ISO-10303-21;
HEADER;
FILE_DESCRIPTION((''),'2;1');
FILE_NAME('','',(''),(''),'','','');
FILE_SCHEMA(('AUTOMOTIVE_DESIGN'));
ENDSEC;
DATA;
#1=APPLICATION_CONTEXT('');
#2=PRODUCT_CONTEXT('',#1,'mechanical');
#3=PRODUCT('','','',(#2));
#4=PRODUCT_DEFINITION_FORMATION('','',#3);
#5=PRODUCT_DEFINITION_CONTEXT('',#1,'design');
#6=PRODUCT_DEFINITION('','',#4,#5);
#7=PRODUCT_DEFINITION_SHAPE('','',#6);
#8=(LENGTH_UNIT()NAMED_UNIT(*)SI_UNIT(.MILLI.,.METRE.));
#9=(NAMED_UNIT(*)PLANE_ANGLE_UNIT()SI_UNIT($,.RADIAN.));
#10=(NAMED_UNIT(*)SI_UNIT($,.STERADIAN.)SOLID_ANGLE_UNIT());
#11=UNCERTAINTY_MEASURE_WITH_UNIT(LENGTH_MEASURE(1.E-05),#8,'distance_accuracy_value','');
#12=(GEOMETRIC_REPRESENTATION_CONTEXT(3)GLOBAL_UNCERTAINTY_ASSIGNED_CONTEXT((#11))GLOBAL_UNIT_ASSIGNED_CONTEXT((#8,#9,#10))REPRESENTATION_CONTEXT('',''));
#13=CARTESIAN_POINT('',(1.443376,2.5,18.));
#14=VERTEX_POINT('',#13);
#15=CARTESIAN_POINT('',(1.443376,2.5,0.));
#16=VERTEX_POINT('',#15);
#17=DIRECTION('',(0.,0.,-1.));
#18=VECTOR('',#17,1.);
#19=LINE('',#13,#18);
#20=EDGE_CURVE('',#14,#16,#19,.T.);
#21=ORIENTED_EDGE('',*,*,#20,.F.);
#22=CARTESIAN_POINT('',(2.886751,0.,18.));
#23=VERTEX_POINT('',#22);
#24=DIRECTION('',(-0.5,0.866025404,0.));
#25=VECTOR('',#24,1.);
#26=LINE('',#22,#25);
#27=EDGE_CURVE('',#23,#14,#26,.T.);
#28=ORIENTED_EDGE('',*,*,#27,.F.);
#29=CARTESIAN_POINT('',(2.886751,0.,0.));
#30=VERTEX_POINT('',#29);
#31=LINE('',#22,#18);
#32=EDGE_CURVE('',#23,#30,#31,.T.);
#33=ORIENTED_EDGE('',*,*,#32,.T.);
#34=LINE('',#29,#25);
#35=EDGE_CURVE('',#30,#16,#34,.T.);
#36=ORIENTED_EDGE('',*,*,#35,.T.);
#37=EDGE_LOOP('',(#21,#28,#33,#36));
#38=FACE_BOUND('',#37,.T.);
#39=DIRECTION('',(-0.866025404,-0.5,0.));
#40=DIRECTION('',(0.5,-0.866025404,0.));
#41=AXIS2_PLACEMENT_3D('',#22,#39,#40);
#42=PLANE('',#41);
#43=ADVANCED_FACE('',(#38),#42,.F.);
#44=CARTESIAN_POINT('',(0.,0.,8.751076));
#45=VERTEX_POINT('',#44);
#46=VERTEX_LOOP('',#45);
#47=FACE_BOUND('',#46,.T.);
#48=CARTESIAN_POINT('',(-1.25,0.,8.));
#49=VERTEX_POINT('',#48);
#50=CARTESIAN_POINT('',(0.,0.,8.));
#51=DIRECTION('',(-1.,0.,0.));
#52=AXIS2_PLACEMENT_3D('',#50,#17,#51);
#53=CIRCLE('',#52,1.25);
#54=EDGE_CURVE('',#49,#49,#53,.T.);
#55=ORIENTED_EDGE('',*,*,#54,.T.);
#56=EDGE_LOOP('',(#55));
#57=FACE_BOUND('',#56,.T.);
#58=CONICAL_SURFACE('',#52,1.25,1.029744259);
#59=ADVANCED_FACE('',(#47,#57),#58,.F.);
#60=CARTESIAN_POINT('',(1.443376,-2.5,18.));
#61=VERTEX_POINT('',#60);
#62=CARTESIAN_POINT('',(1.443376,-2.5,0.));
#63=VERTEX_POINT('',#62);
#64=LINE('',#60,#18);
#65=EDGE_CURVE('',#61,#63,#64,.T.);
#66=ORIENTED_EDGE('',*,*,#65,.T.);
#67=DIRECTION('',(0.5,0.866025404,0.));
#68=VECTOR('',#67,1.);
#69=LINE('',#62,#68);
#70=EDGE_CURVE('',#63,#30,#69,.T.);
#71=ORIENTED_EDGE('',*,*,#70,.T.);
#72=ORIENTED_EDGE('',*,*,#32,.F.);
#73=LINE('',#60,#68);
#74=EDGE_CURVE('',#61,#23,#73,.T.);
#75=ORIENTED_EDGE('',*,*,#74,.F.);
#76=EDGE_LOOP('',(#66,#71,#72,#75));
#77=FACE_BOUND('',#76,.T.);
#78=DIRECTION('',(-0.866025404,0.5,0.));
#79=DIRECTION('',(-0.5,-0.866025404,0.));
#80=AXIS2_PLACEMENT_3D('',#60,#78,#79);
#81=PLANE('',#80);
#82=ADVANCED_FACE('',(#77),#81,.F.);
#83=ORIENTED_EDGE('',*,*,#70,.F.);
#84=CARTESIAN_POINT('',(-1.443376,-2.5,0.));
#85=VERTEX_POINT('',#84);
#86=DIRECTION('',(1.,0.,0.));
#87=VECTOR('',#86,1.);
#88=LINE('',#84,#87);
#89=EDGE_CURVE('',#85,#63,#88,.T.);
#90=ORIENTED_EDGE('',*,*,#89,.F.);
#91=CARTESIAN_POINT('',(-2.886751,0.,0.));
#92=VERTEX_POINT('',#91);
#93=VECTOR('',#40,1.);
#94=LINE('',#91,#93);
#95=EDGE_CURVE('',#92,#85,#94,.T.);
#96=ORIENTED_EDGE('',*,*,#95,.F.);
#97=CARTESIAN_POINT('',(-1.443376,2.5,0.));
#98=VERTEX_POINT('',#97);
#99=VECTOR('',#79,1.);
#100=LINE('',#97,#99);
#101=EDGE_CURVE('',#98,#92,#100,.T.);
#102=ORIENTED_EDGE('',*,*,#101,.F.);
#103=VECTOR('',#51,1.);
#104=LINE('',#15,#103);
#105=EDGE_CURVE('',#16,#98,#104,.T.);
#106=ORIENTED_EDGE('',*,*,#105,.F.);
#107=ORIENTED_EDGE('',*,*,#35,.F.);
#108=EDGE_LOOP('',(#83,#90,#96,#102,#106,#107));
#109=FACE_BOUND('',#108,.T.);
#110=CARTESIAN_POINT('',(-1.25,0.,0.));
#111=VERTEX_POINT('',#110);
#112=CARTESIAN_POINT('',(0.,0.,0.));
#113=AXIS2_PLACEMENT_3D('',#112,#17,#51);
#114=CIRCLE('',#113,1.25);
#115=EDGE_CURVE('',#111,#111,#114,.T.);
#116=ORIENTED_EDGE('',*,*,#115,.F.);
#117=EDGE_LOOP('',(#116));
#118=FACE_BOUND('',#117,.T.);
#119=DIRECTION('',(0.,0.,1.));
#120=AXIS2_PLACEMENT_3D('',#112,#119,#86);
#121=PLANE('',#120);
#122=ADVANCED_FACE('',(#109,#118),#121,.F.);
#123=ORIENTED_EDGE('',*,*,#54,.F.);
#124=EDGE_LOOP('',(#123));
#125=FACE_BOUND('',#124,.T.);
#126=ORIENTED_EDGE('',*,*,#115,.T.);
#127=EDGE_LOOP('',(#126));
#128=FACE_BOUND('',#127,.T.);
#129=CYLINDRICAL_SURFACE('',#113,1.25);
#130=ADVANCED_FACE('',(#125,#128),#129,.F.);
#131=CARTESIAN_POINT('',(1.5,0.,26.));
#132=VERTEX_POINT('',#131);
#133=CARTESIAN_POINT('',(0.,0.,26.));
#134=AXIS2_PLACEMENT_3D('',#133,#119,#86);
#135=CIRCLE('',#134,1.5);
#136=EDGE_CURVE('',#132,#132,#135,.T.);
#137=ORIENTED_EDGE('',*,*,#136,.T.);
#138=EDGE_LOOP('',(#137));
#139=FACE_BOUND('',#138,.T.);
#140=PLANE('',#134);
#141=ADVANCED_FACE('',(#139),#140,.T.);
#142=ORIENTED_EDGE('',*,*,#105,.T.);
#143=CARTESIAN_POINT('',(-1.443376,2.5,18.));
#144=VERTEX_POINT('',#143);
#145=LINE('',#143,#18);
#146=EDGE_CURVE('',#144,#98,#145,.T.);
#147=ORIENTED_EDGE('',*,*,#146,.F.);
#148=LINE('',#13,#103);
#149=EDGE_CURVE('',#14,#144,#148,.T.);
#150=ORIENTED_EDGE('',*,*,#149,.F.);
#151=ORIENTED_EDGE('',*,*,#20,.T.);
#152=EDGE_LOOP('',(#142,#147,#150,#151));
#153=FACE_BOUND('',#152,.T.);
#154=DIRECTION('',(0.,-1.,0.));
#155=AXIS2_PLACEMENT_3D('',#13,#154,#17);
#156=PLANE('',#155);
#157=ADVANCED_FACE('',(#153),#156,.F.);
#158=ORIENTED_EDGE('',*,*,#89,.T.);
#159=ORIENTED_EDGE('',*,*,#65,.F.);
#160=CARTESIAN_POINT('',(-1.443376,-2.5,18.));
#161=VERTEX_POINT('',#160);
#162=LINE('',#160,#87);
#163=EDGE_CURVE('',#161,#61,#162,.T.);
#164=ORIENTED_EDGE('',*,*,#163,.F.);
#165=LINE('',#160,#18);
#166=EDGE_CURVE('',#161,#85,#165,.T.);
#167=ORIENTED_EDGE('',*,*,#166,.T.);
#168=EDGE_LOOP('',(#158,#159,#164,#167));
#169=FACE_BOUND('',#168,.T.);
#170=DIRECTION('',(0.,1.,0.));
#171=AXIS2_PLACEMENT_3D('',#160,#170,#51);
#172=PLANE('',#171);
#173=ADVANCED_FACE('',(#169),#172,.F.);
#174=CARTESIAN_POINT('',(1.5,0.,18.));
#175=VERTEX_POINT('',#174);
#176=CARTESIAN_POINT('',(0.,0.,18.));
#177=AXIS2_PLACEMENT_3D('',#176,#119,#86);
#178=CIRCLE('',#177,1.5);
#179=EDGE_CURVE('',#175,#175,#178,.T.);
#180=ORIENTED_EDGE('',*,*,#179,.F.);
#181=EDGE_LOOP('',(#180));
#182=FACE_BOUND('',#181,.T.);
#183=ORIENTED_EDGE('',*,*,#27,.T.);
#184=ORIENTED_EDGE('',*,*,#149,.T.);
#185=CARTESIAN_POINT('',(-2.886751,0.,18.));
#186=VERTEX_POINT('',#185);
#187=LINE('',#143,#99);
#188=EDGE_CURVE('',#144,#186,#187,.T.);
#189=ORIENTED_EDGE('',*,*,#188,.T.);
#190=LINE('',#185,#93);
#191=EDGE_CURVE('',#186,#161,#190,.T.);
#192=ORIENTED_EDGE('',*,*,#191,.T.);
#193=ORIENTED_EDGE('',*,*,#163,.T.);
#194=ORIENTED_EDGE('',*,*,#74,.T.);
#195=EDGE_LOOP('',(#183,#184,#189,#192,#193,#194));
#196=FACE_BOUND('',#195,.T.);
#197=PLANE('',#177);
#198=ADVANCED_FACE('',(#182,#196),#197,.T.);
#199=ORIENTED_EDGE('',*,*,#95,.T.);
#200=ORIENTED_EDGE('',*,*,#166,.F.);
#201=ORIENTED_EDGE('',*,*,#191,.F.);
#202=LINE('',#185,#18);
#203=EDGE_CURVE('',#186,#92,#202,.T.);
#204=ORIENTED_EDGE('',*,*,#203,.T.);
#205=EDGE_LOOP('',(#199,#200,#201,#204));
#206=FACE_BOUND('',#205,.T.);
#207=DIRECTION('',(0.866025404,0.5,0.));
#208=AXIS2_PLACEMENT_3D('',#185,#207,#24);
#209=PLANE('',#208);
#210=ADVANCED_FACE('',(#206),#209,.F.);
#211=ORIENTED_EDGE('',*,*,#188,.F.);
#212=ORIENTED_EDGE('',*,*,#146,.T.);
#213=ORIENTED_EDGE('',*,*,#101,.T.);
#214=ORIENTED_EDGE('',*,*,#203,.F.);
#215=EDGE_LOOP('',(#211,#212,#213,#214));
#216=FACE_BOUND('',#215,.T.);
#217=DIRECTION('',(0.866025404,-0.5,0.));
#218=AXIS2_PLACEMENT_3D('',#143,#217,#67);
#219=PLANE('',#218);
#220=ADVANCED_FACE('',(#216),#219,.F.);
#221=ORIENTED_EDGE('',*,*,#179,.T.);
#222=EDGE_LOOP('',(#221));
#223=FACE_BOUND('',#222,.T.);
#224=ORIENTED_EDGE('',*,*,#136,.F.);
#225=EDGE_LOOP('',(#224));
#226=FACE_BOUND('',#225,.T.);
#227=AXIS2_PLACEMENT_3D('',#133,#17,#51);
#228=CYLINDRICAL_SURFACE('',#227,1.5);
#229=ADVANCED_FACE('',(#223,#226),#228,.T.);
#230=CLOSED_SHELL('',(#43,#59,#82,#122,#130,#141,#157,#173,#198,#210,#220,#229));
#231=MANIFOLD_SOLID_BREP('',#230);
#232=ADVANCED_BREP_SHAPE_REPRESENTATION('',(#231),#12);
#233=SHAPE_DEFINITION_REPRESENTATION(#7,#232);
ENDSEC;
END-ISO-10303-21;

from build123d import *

# Parameters (mm, degrees)
BOSS_EXTRUDE1_DEPTH       = 18
SKETCH2_R                 = 1.5
BOSS_EXTRUDE2_DEPTH       = 8
M3X0_5_TAPPED_HOLE1_D     = 2.5
M3X0_5_TAPPED_HOLE1_DEPTH = 8
M3X0_5_TAPPED_HOLE1_TIP   = 0.751075774


with BuildPart() as part:
    # Sketch1 → Boss-Extrude1 (new body)
    with BuildSketch(Plane.XY):
        Polygon((-1.443375673, 2.5), (-2.886751346, 0), (-1.443375673, -2.5), (1.443375673, -2.5), (2.886751346, 0), (1.443375673, 2.5), align=None)
    extrude(amount=BOSS_EXTRUDE1_DEPTH)

    # Sketch2 → Boss-Extrude2 (add)
    with BuildSketch(Plane.XY.offset(18)):
        Circle(SKETCH2_R)
    extrude(amount=BOSS_EXTRUDE2_DEPTH)

    # M3x0.5 Tapped Hole1
    with Locations(Plane(origin=(0, 0, 0), x_dir=(-1, 0, 0), z_dir=(0, 0, -1))):
        with Locations((0, 0)):
            Hole(M3X0_5_TAPPED_HOLE1_D / 2, depth=M3X0_5_TAPPED_HOLE1_DEPTH)
            with Locations((0, 0, -(M3X0_5_TAPPED_HOLE1_DEPTH + M3X0_5_TAPPED_HOLE1_TIP / 2))):  # 118° drill point
                Cone(0, M3X0_5_TAPPED_HOLE1_D / 2, M3X0_5_TAPPED_HOLE1_TIP, mode=Mode.SUBTRACT)


solid = part.part
